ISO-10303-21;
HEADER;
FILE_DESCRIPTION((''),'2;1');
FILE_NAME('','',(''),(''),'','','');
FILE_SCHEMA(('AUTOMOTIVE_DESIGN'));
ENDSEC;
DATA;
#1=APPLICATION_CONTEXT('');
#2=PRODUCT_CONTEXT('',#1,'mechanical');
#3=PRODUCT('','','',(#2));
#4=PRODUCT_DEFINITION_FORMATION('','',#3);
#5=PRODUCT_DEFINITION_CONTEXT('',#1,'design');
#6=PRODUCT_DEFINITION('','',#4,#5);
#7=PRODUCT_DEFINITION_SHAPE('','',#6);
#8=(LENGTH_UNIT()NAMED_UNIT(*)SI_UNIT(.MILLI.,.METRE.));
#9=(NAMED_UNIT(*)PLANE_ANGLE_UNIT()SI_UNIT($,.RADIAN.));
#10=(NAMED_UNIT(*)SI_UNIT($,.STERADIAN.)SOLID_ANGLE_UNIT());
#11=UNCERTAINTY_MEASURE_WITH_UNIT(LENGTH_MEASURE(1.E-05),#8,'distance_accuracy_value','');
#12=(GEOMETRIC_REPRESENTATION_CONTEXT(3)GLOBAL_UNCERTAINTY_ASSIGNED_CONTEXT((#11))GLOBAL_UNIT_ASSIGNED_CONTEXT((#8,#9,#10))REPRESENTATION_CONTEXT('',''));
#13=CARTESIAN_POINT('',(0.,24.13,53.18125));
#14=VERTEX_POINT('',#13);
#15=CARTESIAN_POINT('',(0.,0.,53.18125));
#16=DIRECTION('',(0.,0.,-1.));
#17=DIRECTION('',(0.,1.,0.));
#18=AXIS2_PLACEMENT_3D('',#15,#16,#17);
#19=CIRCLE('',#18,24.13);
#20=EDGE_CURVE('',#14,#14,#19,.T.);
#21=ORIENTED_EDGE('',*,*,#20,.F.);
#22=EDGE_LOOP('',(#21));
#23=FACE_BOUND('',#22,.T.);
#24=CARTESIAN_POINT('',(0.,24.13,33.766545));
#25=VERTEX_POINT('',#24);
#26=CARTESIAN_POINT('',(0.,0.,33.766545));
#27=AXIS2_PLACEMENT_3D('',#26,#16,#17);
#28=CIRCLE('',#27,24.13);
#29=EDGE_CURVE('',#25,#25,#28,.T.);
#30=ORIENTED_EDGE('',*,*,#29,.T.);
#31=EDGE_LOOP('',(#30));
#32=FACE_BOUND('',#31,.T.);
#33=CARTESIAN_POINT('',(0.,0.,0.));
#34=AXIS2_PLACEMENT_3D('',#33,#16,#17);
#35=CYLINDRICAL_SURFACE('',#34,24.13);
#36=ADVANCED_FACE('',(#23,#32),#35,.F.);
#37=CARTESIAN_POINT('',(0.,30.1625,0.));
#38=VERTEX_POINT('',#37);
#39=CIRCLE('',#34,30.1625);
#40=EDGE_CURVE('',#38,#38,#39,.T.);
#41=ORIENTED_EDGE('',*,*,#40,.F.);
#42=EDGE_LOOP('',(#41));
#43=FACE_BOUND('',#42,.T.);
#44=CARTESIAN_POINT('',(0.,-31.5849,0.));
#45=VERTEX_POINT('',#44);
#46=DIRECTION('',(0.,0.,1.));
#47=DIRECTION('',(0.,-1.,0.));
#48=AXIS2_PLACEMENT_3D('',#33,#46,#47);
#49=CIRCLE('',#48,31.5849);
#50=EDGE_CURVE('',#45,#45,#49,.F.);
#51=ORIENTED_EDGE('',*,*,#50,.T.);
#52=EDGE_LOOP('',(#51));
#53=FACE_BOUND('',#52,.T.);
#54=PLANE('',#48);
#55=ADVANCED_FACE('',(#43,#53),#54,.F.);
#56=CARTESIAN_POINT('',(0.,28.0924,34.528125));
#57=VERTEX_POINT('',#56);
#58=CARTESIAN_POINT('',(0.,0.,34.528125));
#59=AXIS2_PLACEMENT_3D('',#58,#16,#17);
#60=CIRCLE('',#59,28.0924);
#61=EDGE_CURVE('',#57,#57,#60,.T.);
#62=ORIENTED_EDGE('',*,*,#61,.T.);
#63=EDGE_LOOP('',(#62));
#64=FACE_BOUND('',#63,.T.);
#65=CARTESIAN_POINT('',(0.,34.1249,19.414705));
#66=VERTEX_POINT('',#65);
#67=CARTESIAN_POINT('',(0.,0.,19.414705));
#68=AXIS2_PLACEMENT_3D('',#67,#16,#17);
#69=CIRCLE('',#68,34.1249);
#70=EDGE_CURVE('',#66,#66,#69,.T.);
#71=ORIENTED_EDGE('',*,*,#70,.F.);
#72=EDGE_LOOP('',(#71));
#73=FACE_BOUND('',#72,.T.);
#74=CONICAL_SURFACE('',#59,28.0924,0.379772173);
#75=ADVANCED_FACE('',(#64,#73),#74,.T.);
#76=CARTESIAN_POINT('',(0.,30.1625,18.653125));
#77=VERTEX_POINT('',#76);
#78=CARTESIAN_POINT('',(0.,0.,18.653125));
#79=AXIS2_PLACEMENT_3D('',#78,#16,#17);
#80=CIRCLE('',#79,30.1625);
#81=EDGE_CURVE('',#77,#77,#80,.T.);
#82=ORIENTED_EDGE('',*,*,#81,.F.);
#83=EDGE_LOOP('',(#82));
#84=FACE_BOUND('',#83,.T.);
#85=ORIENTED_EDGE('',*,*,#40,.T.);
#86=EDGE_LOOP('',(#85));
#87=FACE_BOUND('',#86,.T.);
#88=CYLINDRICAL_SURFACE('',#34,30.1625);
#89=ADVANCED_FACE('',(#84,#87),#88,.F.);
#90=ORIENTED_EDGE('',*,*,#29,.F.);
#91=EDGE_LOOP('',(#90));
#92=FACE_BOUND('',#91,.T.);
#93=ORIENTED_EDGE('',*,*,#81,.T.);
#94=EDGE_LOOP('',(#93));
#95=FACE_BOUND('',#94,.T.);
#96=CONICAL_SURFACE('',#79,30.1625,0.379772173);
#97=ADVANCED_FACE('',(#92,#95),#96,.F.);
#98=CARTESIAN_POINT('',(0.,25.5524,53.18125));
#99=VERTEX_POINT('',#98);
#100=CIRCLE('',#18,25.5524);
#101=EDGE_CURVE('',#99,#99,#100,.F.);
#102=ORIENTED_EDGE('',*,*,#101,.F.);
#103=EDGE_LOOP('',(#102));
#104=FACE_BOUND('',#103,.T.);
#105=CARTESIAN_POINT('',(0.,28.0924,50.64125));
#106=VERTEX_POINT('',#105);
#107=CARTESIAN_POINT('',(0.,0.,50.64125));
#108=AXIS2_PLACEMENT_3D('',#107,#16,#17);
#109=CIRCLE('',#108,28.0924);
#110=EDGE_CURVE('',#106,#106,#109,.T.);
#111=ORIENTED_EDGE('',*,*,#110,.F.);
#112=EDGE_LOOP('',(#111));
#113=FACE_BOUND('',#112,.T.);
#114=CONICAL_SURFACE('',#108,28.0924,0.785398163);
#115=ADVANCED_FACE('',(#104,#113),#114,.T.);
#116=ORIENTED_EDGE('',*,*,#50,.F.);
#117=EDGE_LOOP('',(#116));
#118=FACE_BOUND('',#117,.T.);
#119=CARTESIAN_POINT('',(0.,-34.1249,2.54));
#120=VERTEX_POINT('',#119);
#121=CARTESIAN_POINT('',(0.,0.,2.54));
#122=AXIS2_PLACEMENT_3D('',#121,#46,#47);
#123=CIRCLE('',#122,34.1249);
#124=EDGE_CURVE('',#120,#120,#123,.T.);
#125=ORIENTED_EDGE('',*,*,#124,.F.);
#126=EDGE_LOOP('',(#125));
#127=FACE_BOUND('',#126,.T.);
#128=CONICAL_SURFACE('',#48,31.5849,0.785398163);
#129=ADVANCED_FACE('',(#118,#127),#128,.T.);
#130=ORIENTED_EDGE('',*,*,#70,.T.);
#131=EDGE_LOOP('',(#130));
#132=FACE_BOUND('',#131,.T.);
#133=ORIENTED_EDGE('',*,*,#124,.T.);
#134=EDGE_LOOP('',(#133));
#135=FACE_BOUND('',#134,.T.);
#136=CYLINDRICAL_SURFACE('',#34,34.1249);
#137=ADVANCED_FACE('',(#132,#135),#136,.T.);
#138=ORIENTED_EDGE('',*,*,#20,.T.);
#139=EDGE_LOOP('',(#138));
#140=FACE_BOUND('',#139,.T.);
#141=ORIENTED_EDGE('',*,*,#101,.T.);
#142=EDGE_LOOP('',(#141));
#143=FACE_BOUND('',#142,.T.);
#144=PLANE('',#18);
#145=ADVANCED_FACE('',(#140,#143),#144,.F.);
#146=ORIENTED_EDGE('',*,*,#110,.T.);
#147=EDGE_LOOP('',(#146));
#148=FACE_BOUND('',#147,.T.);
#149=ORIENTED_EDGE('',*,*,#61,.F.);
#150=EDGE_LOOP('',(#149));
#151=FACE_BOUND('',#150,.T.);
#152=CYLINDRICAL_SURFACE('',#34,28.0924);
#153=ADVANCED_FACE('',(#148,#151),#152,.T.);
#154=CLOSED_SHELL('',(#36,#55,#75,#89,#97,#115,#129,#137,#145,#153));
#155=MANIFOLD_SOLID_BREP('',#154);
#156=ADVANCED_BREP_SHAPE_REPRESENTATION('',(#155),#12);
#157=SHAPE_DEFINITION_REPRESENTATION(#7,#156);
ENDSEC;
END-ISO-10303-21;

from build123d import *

# Parameters (mm, degrees)
CHAMFER1_SIZE = 2.54


with BuildPart() as part:
    # Sketch1 → Revolve1 (revolve)
    with BuildSketch(Plane(origin=(0, 0, 0), x_dir=(0, 0, -1), z_dir=(1, 0, 0))):
        Polygon((-34.528125, 28.0924), (-53.18125, 28.0924), (-53.18125, 24.13), (-33.766544931, 24.13), (-18.653125, 30.1625), (0, 30.1625), (0, 34.1249), (-19.414705069, 34.1249), align=None)
    revolve(axis=Axis((0, 0, 0), (0, 0, 1)))

    # Chamfer1
    chamfer1_edges = [part.edges().sort_by_distance(p)[0] for p in [
        (0, -34.1249, 0),
        (0, -28.0924, 53.18125),
    ]]
    chamfer(chamfer1_edges, length=CHAMFER1_SIZE)


solid = part.part
